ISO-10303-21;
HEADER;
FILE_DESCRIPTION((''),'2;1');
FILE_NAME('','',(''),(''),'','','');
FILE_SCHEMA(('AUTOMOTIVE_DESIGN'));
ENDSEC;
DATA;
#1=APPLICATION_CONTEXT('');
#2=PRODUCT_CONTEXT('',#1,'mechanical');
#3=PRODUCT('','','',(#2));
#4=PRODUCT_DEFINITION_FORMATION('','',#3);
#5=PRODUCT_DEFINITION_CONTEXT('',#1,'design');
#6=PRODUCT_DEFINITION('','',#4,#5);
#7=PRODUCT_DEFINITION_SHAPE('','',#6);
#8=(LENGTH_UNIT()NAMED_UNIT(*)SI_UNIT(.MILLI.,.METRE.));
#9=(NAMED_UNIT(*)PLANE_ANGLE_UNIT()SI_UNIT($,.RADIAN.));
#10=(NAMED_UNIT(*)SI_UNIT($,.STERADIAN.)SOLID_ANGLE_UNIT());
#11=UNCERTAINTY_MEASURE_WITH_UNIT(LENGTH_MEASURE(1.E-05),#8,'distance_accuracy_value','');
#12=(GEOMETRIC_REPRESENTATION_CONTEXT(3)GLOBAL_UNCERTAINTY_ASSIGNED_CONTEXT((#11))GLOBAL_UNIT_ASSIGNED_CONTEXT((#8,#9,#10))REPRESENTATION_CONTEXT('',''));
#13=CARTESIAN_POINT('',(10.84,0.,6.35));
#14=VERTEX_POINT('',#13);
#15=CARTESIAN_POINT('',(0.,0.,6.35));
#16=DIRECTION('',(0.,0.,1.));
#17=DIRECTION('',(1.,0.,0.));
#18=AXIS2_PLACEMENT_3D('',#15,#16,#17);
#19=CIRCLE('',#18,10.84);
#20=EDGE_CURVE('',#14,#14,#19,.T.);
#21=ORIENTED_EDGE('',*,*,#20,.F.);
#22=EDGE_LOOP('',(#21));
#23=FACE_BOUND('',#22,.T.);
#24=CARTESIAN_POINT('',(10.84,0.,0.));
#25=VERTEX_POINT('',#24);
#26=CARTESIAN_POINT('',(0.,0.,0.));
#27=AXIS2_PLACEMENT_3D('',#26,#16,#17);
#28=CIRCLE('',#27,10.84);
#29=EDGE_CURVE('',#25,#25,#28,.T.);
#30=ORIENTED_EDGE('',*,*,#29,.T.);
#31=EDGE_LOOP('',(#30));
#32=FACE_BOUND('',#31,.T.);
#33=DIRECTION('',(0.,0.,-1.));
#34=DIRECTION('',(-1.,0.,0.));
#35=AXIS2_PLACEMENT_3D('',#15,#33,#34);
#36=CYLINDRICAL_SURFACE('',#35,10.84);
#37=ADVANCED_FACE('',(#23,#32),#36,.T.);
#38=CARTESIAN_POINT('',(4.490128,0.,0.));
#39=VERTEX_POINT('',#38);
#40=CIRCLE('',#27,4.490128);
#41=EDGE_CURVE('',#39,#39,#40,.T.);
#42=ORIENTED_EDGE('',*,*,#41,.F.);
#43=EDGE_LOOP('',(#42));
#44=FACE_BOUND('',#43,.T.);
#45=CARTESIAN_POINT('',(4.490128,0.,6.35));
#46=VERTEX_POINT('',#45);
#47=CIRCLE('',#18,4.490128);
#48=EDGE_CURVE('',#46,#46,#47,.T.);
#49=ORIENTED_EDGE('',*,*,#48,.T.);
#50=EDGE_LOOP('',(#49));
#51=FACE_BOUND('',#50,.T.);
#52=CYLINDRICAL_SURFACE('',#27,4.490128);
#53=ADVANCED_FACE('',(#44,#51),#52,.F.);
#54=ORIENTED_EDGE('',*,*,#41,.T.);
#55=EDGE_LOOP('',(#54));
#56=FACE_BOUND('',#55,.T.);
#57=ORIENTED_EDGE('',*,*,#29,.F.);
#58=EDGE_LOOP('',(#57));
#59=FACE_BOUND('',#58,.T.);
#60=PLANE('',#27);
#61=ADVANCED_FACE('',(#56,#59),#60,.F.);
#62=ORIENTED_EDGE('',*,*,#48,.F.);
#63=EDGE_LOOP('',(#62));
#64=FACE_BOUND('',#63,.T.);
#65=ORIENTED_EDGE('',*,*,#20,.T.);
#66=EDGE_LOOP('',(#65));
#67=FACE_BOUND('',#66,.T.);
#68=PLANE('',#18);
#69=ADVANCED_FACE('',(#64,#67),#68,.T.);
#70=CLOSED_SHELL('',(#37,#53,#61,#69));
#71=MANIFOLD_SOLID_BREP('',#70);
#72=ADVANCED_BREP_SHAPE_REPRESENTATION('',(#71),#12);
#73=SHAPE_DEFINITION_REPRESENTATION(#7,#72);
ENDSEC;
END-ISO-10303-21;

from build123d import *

# Parameters (mm, degrees)
SKETCH1_R           = 10.84
BOSS_EXTRUDE1_DEPTH = 6.35
SKETCH4_R           = 4.490128061
CUT_EXTRUDE1_DEPTH  = 17.593182335


with BuildPart() as part:
    # Sketch1 → Boss-Extrude1 (new body)
    with BuildSketch(Plane.XY):
        Circle(SKETCH1_R)
    extrude(amount=BOSS_EXTRUDE1_DEPTH)

    # Sketch4 → Cut-Extrude1 (cut, through all)
    with BuildSketch(Plane.XY.offset(6.35)):
        Circle(SKETCH4_R)
    extrude(amount=-CUT_EXTRUDE1_DEPTH, mode=Mode.SUBTRACT)


solid = part.part
